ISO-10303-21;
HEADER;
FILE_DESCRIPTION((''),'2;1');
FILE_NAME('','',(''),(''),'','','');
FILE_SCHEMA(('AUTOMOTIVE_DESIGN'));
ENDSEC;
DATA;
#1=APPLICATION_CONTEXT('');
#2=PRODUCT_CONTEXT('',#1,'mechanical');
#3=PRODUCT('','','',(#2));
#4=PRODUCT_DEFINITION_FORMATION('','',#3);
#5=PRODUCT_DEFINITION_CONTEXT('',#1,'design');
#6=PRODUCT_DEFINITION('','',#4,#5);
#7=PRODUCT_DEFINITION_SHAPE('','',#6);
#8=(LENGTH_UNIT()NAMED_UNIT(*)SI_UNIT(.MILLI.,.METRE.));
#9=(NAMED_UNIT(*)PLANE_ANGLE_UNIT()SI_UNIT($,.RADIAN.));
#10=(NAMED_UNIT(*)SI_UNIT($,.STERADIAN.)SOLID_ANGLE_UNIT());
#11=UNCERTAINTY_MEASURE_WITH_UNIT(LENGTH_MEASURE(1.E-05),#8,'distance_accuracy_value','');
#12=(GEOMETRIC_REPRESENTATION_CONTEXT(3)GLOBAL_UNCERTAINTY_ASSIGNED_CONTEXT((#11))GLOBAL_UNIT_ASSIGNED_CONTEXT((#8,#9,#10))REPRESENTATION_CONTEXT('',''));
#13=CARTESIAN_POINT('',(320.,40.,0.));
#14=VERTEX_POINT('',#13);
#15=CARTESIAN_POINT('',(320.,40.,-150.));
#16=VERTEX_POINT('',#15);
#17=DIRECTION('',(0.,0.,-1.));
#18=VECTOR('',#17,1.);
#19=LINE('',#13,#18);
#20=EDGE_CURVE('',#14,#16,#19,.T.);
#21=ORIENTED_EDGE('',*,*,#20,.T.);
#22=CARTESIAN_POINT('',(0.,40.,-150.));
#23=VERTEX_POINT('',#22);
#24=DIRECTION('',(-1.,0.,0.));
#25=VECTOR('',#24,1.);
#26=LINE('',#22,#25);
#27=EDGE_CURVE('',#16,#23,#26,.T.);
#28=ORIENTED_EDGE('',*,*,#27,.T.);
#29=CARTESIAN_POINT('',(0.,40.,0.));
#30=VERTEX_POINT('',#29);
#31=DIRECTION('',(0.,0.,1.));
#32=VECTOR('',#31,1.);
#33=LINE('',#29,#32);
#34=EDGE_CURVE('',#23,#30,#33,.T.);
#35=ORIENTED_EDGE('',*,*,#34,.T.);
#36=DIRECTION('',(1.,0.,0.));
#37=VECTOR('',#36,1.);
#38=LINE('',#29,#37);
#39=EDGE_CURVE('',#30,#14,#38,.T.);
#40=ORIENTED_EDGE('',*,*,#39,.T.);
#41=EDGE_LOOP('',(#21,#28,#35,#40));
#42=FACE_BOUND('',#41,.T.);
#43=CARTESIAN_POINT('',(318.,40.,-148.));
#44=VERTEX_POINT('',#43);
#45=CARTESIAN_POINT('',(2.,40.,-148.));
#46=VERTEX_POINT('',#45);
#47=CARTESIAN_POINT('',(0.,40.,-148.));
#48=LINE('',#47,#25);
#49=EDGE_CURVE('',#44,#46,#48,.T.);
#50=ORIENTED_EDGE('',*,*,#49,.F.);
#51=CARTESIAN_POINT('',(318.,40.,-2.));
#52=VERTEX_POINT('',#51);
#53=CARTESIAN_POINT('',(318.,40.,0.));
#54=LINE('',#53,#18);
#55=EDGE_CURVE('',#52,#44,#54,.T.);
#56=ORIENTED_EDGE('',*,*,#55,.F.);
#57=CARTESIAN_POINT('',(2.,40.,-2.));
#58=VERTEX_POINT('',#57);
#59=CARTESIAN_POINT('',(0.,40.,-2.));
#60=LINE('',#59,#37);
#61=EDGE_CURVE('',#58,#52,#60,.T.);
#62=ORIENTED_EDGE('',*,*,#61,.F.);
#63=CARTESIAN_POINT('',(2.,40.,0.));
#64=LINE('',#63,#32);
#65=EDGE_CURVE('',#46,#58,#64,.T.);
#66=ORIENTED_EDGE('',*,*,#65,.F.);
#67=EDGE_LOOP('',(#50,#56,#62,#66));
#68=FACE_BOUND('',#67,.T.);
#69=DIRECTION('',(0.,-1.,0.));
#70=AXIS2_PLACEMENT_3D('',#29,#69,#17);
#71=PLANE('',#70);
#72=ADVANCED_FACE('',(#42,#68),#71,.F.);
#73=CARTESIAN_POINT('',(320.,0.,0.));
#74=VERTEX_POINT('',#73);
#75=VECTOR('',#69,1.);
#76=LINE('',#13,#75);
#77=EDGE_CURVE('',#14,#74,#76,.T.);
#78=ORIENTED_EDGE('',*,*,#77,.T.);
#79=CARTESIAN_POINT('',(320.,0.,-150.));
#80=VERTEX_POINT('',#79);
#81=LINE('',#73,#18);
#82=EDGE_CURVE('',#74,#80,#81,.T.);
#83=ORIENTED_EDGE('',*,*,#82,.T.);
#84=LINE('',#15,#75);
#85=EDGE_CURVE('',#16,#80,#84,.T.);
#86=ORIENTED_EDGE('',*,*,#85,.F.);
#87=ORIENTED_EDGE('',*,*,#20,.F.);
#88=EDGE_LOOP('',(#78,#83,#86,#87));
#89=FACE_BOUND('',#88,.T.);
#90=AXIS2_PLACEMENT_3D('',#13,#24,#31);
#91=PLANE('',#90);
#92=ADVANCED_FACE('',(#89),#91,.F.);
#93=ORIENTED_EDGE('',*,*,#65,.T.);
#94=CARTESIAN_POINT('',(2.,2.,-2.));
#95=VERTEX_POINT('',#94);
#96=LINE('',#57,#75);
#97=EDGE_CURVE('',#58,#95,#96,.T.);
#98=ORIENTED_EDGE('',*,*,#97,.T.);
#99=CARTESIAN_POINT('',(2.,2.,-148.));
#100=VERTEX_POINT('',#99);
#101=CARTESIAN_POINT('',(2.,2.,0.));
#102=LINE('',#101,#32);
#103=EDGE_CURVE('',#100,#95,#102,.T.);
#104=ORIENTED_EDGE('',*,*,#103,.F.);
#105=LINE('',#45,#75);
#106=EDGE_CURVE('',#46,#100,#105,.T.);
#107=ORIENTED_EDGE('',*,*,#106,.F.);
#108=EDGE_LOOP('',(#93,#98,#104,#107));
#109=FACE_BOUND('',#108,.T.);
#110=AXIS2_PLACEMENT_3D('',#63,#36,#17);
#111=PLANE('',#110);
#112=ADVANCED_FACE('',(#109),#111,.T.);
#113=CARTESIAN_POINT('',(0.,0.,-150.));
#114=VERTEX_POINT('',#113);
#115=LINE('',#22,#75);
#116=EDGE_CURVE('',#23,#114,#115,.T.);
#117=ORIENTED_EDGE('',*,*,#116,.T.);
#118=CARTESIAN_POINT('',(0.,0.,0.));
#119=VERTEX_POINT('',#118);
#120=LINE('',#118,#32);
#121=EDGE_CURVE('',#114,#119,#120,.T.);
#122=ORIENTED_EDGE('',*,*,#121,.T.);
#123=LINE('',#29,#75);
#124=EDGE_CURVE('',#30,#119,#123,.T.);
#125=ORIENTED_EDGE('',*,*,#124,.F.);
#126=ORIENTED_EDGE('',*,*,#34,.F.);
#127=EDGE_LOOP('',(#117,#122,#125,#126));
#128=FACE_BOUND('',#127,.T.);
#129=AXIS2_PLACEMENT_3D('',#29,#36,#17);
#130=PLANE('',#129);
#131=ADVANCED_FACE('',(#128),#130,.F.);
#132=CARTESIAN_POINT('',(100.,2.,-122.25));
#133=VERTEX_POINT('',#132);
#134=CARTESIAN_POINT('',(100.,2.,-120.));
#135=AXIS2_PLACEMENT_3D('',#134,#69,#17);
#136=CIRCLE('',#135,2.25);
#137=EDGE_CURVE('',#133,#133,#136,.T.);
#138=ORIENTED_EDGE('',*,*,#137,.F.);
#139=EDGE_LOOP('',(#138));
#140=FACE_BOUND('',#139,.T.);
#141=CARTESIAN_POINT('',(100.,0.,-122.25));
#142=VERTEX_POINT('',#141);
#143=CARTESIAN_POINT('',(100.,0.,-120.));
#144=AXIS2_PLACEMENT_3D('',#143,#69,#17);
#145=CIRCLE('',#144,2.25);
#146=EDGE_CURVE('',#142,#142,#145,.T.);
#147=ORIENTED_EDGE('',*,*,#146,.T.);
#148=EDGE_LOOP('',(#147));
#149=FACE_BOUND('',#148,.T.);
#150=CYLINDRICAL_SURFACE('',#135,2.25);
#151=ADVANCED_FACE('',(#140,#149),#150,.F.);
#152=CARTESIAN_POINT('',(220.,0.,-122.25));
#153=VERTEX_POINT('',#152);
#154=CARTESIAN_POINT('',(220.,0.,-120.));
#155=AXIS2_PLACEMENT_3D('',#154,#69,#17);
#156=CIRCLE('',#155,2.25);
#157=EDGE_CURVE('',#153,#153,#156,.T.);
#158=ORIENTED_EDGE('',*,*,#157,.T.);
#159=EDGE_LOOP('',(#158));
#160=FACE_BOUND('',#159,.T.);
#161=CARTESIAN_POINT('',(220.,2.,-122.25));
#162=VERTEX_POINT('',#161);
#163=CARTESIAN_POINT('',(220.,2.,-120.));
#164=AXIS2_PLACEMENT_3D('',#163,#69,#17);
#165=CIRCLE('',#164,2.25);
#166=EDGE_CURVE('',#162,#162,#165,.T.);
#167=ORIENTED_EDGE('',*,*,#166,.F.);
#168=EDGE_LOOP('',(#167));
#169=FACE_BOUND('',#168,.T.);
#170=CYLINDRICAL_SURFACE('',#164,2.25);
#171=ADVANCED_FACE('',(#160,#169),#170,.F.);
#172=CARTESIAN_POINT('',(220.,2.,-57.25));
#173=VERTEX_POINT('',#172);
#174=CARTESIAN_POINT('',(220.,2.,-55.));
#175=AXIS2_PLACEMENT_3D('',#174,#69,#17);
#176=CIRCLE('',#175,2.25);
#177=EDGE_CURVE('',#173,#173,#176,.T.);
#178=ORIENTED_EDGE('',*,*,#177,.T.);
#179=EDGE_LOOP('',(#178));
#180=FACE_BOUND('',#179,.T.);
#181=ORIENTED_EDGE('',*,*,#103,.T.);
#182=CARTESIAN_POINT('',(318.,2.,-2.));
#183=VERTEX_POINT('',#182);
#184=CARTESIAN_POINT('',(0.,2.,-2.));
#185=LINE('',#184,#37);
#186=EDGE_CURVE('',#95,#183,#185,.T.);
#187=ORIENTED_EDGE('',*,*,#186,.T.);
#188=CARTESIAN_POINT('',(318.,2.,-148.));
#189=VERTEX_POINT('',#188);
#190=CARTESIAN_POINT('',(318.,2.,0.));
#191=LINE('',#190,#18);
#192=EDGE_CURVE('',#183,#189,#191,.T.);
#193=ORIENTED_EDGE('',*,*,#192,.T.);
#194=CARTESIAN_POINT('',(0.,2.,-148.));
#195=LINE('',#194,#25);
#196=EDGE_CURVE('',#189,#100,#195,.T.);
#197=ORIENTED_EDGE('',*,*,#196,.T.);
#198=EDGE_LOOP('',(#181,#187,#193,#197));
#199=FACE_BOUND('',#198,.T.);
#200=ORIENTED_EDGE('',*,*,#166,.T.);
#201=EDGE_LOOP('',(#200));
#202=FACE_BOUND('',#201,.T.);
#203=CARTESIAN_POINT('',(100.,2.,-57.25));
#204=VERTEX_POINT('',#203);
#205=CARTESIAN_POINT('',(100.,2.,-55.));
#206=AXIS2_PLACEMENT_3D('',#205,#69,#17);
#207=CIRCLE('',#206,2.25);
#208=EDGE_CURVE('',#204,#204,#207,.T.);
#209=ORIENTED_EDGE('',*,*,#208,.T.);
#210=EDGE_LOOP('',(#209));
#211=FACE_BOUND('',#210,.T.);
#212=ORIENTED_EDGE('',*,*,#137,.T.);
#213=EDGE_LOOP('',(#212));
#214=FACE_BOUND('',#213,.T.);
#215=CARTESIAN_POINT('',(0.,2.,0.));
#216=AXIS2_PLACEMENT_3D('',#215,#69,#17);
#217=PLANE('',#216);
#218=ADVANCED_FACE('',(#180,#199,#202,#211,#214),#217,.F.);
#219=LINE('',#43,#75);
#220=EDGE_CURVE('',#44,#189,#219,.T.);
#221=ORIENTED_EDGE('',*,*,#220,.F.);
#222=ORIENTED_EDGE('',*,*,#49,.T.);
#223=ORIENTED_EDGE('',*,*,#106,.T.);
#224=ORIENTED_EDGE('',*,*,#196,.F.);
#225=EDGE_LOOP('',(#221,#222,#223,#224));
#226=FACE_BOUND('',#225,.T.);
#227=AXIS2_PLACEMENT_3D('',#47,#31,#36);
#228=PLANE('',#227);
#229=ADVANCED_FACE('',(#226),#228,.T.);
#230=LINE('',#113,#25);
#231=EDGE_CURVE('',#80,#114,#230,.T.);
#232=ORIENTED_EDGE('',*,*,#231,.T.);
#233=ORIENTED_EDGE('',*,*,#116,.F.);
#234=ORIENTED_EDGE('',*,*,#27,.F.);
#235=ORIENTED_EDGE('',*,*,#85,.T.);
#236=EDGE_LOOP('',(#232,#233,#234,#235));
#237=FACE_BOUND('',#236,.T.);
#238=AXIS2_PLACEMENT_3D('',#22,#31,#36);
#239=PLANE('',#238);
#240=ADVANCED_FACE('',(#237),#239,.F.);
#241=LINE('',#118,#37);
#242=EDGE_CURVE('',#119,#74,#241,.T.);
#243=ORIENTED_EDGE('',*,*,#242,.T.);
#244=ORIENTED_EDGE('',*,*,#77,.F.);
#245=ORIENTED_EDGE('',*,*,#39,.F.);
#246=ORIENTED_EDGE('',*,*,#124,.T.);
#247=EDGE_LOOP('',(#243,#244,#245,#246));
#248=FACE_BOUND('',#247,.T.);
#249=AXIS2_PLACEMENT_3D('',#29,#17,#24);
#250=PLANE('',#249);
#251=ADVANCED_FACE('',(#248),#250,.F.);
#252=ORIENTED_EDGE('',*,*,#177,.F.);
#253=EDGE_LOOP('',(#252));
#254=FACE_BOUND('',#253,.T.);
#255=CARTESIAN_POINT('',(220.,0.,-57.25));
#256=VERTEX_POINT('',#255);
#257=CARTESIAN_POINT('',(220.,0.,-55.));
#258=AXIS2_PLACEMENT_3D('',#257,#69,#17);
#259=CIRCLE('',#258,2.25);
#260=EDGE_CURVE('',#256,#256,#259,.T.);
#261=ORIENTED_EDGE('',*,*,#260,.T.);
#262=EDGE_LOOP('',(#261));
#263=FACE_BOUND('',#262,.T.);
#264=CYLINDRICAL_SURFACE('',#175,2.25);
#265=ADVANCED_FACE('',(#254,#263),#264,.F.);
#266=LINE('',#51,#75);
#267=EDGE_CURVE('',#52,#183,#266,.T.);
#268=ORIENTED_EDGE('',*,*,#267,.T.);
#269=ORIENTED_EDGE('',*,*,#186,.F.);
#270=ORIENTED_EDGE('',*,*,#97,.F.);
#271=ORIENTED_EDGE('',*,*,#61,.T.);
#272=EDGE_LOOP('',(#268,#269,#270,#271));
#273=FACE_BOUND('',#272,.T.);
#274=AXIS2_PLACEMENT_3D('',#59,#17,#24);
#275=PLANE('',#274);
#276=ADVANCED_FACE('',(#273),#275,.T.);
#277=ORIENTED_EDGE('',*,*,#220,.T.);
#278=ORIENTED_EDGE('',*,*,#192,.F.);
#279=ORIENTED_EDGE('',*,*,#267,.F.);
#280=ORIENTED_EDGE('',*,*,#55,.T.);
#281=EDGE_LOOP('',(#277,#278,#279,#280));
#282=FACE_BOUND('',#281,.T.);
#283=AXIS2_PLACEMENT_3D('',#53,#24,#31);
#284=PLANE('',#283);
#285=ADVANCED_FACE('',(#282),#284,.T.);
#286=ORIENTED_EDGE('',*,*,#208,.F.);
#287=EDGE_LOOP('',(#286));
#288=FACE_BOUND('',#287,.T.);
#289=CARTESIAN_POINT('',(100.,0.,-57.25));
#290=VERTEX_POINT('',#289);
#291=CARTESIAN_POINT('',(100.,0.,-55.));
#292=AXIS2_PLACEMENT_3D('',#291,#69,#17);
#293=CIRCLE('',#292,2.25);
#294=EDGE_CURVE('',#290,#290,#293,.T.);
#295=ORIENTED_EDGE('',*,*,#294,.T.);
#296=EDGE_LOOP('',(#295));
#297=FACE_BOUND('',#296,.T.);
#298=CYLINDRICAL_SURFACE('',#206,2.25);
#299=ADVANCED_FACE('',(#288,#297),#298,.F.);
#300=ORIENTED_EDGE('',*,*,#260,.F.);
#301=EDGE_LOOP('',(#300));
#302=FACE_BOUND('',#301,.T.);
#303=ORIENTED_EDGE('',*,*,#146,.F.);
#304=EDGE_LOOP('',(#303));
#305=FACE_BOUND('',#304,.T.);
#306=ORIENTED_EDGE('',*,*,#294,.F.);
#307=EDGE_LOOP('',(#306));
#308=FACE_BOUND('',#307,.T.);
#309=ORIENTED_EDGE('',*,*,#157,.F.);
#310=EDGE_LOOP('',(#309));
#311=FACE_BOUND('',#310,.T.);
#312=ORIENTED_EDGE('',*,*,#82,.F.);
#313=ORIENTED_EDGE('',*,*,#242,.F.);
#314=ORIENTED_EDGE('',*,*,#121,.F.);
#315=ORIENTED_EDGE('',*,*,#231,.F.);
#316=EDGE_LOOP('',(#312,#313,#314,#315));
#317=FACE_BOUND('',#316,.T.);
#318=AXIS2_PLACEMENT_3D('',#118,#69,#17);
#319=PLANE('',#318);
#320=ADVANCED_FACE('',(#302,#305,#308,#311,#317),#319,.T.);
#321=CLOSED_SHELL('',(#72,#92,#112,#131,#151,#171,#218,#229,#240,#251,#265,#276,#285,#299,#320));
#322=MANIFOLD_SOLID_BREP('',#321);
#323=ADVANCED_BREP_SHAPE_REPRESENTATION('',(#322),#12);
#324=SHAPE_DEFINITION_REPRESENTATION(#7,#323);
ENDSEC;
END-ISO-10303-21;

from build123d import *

# Parameters (mm, degrees)
SKETCH_1_W          = 320
SKETCH_1_H          = 150
EXTRUDE_1_DEPTH     = 40
SHELL_1_T           = -2
SKETCH_2_R          = 2.25
CUT_EXTRUDE_1_DEPTH = 2


with BuildPart() as part:
    # 草图1 → 凸台-拉伸1 (new body)
    with BuildSketch(Plane(origin=(0, 0, 0), x_dir=(1, 0, 0), z_dir=(0, 1, 0))):
        with Locations((160, 75)):
            Rectangle(SKETCH_1_W, SKETCH_1_H)
    extrude(amount=EXTRUDE_1_DEPTH)

    # 抽壳1
    shell_1_openings = [part.faces().sort_by_distance(p)[0] for p in [
        (160, 40, -75),
    ]]
    offset(amount=SHELL_1_T, openings=shell_1_openings, kind=Kind.INTERSECTION)

    # 草图2 → 切除-拉伸1 (cut)
    with BuildSketch(Plane(origin=(0, 0, 0), x_dir=(-1, 0, 0), z_dir=(0, -1, 0))):
        with Locations((-100, 55)):
            Circle(SKETCH_2_R)
        with Locations((-220, 55)):
            Circle(SKETCH_2_R)
        with Locations((-220, 120)):
            Circle(SKETCH_2_R)
        with Locations((-100, 120)):
            Circle(SKETCH_2_R)
    extrude(amount=-CUT_EXTRUDE_1_DEPTH, mode=Mode.SUBTRACT)


solid = part.part
